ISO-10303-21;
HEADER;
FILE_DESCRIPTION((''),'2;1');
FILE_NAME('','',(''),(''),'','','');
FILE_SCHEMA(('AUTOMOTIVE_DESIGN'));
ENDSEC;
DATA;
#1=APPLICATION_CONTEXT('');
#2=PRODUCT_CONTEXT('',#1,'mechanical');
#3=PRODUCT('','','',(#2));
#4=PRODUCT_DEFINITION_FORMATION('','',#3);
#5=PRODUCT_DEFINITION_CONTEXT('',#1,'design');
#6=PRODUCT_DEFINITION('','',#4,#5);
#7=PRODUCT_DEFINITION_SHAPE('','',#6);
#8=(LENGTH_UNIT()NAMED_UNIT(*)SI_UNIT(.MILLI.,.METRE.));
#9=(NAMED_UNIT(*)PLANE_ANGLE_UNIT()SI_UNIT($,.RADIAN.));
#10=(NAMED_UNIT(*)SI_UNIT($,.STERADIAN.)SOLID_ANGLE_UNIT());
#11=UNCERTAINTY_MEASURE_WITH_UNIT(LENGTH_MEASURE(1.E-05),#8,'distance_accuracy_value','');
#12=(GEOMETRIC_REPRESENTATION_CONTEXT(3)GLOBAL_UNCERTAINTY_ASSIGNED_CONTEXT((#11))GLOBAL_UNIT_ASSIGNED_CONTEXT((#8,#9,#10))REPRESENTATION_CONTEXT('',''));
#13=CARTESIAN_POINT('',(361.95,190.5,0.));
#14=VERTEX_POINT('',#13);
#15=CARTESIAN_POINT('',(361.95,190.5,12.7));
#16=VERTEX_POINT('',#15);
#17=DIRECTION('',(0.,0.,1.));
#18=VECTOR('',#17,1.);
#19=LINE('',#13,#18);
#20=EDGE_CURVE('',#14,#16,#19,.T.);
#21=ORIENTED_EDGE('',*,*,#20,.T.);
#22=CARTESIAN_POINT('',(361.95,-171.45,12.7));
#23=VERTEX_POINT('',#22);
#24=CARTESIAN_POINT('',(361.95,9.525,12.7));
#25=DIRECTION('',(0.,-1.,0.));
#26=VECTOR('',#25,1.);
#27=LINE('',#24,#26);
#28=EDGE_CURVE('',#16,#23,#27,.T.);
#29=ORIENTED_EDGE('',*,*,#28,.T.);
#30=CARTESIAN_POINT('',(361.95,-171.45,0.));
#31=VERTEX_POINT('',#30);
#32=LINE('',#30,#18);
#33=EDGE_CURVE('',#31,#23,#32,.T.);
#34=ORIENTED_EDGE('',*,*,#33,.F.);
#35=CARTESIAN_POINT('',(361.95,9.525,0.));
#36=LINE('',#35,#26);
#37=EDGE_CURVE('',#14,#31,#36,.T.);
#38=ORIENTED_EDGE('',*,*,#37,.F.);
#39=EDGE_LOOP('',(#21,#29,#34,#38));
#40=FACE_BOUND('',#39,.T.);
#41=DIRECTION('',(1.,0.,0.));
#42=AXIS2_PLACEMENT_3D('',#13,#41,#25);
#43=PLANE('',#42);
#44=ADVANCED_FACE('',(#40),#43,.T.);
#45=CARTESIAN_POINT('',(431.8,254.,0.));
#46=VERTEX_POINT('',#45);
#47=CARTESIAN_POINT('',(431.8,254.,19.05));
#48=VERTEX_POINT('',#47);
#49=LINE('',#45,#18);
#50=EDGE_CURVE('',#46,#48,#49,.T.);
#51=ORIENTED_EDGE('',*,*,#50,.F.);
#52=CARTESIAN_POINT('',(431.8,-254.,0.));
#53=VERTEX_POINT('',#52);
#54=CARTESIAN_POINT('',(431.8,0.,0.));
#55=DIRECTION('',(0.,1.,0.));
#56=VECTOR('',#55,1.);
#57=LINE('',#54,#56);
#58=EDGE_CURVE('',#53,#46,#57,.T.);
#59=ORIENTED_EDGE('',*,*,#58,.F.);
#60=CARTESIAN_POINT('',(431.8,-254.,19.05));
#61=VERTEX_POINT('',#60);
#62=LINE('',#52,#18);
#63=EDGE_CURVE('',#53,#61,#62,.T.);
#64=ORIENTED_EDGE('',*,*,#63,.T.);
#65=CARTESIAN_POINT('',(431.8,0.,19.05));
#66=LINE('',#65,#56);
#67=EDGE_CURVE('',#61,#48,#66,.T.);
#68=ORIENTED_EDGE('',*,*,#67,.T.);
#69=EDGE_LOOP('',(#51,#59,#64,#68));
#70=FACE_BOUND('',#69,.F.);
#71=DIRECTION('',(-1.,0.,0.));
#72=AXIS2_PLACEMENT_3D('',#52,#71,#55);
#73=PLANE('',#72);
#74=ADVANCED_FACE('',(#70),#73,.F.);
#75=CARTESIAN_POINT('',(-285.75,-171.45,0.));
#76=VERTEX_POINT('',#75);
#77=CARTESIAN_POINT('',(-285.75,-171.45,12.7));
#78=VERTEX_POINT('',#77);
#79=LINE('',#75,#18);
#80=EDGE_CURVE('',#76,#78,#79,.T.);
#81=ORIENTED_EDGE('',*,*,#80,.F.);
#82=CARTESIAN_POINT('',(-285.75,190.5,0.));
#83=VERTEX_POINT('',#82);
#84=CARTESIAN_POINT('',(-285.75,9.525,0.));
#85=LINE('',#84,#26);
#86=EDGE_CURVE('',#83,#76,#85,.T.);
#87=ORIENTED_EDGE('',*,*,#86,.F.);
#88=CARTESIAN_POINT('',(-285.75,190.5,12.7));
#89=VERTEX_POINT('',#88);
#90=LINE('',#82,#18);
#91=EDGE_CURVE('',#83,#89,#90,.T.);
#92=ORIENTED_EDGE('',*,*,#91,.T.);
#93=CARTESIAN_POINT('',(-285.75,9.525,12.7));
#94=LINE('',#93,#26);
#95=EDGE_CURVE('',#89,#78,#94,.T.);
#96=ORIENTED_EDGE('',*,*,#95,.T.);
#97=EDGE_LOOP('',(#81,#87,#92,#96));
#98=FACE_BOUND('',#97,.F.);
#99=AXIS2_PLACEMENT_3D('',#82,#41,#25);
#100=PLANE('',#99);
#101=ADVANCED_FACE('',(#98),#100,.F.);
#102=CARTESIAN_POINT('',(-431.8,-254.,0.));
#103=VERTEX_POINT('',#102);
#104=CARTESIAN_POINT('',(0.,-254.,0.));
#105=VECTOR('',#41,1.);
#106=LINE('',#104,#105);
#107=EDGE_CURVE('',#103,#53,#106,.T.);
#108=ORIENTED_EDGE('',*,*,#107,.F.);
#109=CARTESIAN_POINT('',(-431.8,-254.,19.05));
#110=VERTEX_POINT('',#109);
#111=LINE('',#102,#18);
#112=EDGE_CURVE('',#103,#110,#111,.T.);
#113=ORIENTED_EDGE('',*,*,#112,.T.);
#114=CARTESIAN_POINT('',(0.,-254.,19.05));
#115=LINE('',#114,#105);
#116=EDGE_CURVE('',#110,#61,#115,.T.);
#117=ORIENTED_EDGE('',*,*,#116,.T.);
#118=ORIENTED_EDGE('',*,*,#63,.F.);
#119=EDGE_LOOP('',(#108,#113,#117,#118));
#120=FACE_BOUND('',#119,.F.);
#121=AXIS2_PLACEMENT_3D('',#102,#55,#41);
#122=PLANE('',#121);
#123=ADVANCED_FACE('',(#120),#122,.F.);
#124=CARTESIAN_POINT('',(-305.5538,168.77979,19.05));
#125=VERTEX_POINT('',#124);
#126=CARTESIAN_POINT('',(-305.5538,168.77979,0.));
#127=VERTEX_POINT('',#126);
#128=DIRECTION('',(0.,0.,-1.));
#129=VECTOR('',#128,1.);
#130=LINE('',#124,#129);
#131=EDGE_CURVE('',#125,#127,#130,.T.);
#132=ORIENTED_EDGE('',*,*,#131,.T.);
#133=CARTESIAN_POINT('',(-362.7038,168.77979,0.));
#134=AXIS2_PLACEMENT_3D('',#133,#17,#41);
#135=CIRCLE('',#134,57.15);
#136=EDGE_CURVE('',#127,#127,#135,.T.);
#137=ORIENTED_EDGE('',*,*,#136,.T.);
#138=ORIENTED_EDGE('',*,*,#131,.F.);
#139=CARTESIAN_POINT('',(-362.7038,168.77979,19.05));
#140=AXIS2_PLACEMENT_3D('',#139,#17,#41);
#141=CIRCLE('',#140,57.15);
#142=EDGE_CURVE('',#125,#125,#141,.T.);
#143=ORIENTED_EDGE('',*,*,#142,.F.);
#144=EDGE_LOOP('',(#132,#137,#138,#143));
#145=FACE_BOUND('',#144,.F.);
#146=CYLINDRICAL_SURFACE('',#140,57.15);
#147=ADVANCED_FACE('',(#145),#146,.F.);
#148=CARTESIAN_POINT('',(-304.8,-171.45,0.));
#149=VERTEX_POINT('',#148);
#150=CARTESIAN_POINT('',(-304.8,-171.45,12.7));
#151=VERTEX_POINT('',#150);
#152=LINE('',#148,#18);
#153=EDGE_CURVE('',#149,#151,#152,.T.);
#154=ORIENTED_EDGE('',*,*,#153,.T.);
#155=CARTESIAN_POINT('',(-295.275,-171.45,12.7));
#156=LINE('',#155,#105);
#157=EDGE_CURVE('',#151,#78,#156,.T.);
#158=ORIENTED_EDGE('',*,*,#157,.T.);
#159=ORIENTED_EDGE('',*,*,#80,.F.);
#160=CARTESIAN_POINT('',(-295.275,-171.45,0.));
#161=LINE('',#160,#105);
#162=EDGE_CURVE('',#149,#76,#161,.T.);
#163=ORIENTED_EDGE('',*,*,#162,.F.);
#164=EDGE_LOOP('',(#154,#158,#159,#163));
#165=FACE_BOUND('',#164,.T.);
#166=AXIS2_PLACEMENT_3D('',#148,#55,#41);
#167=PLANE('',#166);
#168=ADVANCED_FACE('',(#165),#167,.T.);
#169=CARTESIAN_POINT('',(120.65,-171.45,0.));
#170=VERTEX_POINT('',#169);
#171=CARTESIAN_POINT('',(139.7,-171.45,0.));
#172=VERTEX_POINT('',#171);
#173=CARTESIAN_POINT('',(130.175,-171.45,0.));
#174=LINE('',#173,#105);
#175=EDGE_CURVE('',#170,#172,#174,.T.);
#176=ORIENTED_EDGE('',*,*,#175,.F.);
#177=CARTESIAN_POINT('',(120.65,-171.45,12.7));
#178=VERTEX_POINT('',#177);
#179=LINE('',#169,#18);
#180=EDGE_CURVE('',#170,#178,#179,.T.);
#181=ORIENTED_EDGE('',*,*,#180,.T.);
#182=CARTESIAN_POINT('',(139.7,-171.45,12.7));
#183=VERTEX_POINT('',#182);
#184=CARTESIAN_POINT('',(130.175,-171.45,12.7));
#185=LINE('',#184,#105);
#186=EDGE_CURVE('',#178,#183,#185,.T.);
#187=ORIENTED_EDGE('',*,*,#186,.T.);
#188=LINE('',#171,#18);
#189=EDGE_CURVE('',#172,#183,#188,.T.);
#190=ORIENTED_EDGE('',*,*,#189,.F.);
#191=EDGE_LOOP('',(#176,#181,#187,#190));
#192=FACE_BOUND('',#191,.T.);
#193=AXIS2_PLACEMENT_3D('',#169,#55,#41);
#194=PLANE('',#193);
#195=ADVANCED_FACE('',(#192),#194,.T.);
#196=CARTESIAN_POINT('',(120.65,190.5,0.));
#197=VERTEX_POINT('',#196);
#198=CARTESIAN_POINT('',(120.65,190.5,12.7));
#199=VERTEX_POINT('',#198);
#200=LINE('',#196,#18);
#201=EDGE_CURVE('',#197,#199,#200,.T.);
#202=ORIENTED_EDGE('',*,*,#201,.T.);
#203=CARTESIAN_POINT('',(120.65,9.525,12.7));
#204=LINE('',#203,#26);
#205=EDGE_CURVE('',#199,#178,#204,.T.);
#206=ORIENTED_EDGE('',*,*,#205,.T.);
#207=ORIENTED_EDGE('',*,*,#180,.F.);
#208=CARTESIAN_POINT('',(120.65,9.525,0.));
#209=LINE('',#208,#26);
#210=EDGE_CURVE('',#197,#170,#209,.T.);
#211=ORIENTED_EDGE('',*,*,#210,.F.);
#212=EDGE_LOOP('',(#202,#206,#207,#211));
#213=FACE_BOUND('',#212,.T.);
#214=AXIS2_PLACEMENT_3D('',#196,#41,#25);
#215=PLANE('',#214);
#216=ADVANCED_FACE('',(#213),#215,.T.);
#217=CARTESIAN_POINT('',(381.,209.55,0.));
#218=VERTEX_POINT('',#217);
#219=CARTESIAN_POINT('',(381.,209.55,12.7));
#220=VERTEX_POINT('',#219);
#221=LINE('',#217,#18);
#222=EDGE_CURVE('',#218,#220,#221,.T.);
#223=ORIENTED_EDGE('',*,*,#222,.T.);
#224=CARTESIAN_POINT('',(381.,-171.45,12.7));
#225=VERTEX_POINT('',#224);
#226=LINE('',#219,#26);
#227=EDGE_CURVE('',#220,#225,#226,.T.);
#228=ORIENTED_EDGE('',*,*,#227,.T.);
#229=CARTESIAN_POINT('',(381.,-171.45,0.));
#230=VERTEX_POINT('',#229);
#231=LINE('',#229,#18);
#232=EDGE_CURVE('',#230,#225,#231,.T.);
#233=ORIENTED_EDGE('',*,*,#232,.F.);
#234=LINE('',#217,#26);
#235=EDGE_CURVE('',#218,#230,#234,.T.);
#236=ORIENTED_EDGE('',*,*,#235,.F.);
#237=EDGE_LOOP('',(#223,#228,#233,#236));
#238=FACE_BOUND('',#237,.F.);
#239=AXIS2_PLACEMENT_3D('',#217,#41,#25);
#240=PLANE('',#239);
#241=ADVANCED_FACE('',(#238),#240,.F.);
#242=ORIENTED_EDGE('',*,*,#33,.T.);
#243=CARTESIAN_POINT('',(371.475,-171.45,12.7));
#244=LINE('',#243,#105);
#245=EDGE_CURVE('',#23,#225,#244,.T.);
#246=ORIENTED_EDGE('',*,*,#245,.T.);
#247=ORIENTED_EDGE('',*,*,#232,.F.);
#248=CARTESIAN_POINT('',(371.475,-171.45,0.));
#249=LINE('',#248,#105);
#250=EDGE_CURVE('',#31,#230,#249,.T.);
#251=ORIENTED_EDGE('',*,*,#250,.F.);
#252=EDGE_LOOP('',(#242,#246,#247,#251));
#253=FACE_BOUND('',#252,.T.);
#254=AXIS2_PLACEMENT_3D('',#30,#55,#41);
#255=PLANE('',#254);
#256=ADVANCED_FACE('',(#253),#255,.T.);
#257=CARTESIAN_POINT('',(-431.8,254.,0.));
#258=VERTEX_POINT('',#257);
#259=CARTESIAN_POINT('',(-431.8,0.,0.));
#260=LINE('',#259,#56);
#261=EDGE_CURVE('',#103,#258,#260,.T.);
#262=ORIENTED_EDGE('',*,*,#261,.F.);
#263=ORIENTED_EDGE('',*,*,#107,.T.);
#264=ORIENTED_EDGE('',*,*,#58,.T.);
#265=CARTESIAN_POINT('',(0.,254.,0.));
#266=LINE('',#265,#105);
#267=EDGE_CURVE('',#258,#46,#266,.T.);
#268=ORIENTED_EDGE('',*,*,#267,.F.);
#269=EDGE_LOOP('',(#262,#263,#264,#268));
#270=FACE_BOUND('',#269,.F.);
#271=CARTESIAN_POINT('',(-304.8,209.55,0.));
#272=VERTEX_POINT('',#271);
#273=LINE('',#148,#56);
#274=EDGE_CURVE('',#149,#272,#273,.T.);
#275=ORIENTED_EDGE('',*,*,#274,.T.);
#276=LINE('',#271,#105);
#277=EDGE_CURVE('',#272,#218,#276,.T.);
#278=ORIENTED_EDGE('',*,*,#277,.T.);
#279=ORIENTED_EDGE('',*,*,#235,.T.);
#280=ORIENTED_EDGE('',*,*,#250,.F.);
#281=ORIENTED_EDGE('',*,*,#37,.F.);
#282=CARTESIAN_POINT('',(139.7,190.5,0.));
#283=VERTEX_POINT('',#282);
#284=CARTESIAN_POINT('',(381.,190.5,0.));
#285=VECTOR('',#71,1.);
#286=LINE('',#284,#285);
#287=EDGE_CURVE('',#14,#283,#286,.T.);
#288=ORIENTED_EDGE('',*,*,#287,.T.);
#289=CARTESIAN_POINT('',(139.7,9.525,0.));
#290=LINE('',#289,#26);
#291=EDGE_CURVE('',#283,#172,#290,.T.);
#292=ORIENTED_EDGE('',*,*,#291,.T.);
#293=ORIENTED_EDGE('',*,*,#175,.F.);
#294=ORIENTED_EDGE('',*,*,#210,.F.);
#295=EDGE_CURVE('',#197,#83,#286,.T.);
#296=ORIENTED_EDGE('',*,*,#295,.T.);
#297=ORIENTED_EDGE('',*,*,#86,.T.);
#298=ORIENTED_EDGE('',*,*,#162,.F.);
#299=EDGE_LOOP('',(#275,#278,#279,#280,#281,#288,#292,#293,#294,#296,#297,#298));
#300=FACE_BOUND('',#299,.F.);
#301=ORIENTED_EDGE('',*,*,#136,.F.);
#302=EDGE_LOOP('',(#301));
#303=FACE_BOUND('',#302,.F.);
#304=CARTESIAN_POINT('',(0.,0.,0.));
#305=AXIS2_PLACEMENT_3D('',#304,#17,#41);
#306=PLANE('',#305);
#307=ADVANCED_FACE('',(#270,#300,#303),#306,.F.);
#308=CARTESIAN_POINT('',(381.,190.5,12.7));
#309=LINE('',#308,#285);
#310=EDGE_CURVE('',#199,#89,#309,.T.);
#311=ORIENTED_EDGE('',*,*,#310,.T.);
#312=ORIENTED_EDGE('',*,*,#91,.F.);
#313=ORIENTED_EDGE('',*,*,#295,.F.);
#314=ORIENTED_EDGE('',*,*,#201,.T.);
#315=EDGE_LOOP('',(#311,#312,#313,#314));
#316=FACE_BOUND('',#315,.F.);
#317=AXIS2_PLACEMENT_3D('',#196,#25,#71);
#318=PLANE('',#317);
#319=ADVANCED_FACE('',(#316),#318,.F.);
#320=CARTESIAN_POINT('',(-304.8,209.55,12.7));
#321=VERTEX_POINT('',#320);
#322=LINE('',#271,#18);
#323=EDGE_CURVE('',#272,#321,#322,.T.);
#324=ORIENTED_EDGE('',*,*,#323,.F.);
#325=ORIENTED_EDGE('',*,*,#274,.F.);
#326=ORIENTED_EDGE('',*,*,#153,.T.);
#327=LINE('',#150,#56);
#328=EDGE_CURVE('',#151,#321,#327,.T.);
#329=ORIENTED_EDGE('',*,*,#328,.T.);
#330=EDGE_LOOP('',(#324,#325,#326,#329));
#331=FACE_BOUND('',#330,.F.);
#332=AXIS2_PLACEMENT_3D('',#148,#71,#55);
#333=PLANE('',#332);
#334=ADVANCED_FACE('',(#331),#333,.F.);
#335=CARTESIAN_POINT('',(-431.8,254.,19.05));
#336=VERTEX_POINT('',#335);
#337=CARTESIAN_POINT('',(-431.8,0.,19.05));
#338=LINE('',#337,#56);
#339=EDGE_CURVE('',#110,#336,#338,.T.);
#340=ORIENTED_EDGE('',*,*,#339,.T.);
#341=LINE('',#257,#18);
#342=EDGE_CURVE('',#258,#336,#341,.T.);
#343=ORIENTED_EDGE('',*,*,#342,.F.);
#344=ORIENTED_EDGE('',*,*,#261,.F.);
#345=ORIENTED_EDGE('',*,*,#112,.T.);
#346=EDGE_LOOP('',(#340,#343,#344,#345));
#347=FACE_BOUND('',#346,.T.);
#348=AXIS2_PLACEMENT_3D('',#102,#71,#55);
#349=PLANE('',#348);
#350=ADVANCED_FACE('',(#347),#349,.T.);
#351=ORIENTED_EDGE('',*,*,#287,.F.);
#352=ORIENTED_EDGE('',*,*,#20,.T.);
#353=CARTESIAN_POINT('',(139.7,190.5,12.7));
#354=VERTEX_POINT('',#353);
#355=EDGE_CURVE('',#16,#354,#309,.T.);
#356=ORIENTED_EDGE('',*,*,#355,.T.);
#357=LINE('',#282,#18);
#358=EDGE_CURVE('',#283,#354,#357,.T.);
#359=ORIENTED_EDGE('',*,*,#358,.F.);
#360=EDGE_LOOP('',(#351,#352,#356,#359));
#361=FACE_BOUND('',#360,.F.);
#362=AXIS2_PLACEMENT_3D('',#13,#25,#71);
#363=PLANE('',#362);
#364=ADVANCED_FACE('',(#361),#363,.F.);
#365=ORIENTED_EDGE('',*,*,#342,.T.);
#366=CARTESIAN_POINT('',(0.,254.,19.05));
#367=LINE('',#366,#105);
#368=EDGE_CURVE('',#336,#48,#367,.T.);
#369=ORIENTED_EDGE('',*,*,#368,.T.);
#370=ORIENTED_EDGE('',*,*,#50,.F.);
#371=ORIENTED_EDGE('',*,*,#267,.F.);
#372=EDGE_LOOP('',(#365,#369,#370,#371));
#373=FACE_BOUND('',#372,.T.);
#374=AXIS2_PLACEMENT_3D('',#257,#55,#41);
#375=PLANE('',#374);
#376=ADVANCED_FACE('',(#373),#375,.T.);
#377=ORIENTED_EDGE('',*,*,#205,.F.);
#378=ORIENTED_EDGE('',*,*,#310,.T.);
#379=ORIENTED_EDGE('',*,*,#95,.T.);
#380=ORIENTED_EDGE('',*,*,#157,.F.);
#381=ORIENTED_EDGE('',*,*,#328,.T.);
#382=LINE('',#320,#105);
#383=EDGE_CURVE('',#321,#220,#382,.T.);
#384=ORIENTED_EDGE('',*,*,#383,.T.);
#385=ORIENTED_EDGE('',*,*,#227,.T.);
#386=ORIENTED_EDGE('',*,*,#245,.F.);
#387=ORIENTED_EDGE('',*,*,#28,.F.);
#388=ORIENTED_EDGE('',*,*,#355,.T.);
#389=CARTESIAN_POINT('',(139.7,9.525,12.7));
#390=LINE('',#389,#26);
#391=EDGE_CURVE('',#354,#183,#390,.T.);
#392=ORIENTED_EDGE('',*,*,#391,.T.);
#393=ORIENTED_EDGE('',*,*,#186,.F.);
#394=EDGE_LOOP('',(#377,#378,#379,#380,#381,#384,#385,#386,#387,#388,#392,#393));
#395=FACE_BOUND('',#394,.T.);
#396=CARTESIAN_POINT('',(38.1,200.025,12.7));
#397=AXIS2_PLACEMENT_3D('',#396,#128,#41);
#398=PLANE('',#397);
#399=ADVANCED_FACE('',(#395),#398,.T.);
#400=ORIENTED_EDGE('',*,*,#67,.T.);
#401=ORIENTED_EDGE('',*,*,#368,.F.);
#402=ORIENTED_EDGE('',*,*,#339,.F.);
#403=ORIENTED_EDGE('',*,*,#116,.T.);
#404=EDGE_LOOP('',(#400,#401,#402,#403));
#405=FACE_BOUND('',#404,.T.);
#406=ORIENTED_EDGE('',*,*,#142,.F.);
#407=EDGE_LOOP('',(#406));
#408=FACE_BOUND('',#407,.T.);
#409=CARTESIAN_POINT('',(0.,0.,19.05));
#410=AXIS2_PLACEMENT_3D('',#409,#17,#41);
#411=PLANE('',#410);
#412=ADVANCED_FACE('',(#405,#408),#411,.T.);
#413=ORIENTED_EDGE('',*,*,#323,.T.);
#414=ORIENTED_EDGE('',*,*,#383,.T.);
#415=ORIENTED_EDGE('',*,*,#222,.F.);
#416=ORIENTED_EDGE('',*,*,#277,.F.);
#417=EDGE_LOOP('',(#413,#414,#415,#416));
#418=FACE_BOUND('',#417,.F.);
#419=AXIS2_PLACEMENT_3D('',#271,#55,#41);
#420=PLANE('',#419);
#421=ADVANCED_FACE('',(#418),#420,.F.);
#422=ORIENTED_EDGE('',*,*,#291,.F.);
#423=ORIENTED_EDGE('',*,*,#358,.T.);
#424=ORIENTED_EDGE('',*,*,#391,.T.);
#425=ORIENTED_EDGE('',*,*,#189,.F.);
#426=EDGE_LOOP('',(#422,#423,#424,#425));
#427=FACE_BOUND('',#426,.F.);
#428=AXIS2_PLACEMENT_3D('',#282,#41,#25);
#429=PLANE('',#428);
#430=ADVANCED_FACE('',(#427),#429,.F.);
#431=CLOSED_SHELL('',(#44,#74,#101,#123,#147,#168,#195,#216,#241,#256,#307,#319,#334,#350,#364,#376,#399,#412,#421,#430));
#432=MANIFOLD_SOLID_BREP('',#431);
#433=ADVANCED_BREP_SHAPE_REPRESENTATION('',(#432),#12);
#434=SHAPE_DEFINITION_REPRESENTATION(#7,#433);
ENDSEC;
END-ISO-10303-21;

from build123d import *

# Parameters (mm, degrees)
F0_W     = 863.6
F0_H     = 508
F1_DEPTH = 19.05
F2_W     = 19.05
F2_H     = 361.95
F3_DEPTH = 12.7
F4_R     = 57.15
F5_DEPTH = 25.4


with BuildPart() as f1:
    # F0 (on Top) → F1 (new body)
    with BuildSketch(Plane.XY):
        Rectangle(F0_W, F0_H)
    extrude(amount=F1_DEPTH)

    # F2 (on face) → F3 (cut)
    with BuildSketch(Plane(origin=(0, 0, 0), x_dir=(1, 0, 0), z_dir=(0, 0, -1))):
        Polygon((-304.8, -209.55), (381, -209.55), (381, -190.5), (361.95, -190.5), (139.7, -190.5), (120.65, -190.5), (-285.75, -190.5), (-304.8, -190.5), align=None)
        with Locations((371.475, -9.525)):
            Rectangle(F2_W, F2_H)
        with Locations((-295.275, -9.525)):
            Rectangle(F2_W, F2_H)
        with Locations((130.175, -9.525)):
            Rectangle(F2_W, F2_H)
    extrude(amount=-F3_DEPTH, mode=Mode.SUBTRACT)

    # F4 (on face) → F5 (cut)
    with BuildSketch(Plane.XY.offset(19.05)):
        with Locations((-362.7038, 168.77979)):
            Circle(F4_R)
    extrude(amount=-F5_DEPTH, mode=Mode.SUBTRACT)


solid = f1.part
